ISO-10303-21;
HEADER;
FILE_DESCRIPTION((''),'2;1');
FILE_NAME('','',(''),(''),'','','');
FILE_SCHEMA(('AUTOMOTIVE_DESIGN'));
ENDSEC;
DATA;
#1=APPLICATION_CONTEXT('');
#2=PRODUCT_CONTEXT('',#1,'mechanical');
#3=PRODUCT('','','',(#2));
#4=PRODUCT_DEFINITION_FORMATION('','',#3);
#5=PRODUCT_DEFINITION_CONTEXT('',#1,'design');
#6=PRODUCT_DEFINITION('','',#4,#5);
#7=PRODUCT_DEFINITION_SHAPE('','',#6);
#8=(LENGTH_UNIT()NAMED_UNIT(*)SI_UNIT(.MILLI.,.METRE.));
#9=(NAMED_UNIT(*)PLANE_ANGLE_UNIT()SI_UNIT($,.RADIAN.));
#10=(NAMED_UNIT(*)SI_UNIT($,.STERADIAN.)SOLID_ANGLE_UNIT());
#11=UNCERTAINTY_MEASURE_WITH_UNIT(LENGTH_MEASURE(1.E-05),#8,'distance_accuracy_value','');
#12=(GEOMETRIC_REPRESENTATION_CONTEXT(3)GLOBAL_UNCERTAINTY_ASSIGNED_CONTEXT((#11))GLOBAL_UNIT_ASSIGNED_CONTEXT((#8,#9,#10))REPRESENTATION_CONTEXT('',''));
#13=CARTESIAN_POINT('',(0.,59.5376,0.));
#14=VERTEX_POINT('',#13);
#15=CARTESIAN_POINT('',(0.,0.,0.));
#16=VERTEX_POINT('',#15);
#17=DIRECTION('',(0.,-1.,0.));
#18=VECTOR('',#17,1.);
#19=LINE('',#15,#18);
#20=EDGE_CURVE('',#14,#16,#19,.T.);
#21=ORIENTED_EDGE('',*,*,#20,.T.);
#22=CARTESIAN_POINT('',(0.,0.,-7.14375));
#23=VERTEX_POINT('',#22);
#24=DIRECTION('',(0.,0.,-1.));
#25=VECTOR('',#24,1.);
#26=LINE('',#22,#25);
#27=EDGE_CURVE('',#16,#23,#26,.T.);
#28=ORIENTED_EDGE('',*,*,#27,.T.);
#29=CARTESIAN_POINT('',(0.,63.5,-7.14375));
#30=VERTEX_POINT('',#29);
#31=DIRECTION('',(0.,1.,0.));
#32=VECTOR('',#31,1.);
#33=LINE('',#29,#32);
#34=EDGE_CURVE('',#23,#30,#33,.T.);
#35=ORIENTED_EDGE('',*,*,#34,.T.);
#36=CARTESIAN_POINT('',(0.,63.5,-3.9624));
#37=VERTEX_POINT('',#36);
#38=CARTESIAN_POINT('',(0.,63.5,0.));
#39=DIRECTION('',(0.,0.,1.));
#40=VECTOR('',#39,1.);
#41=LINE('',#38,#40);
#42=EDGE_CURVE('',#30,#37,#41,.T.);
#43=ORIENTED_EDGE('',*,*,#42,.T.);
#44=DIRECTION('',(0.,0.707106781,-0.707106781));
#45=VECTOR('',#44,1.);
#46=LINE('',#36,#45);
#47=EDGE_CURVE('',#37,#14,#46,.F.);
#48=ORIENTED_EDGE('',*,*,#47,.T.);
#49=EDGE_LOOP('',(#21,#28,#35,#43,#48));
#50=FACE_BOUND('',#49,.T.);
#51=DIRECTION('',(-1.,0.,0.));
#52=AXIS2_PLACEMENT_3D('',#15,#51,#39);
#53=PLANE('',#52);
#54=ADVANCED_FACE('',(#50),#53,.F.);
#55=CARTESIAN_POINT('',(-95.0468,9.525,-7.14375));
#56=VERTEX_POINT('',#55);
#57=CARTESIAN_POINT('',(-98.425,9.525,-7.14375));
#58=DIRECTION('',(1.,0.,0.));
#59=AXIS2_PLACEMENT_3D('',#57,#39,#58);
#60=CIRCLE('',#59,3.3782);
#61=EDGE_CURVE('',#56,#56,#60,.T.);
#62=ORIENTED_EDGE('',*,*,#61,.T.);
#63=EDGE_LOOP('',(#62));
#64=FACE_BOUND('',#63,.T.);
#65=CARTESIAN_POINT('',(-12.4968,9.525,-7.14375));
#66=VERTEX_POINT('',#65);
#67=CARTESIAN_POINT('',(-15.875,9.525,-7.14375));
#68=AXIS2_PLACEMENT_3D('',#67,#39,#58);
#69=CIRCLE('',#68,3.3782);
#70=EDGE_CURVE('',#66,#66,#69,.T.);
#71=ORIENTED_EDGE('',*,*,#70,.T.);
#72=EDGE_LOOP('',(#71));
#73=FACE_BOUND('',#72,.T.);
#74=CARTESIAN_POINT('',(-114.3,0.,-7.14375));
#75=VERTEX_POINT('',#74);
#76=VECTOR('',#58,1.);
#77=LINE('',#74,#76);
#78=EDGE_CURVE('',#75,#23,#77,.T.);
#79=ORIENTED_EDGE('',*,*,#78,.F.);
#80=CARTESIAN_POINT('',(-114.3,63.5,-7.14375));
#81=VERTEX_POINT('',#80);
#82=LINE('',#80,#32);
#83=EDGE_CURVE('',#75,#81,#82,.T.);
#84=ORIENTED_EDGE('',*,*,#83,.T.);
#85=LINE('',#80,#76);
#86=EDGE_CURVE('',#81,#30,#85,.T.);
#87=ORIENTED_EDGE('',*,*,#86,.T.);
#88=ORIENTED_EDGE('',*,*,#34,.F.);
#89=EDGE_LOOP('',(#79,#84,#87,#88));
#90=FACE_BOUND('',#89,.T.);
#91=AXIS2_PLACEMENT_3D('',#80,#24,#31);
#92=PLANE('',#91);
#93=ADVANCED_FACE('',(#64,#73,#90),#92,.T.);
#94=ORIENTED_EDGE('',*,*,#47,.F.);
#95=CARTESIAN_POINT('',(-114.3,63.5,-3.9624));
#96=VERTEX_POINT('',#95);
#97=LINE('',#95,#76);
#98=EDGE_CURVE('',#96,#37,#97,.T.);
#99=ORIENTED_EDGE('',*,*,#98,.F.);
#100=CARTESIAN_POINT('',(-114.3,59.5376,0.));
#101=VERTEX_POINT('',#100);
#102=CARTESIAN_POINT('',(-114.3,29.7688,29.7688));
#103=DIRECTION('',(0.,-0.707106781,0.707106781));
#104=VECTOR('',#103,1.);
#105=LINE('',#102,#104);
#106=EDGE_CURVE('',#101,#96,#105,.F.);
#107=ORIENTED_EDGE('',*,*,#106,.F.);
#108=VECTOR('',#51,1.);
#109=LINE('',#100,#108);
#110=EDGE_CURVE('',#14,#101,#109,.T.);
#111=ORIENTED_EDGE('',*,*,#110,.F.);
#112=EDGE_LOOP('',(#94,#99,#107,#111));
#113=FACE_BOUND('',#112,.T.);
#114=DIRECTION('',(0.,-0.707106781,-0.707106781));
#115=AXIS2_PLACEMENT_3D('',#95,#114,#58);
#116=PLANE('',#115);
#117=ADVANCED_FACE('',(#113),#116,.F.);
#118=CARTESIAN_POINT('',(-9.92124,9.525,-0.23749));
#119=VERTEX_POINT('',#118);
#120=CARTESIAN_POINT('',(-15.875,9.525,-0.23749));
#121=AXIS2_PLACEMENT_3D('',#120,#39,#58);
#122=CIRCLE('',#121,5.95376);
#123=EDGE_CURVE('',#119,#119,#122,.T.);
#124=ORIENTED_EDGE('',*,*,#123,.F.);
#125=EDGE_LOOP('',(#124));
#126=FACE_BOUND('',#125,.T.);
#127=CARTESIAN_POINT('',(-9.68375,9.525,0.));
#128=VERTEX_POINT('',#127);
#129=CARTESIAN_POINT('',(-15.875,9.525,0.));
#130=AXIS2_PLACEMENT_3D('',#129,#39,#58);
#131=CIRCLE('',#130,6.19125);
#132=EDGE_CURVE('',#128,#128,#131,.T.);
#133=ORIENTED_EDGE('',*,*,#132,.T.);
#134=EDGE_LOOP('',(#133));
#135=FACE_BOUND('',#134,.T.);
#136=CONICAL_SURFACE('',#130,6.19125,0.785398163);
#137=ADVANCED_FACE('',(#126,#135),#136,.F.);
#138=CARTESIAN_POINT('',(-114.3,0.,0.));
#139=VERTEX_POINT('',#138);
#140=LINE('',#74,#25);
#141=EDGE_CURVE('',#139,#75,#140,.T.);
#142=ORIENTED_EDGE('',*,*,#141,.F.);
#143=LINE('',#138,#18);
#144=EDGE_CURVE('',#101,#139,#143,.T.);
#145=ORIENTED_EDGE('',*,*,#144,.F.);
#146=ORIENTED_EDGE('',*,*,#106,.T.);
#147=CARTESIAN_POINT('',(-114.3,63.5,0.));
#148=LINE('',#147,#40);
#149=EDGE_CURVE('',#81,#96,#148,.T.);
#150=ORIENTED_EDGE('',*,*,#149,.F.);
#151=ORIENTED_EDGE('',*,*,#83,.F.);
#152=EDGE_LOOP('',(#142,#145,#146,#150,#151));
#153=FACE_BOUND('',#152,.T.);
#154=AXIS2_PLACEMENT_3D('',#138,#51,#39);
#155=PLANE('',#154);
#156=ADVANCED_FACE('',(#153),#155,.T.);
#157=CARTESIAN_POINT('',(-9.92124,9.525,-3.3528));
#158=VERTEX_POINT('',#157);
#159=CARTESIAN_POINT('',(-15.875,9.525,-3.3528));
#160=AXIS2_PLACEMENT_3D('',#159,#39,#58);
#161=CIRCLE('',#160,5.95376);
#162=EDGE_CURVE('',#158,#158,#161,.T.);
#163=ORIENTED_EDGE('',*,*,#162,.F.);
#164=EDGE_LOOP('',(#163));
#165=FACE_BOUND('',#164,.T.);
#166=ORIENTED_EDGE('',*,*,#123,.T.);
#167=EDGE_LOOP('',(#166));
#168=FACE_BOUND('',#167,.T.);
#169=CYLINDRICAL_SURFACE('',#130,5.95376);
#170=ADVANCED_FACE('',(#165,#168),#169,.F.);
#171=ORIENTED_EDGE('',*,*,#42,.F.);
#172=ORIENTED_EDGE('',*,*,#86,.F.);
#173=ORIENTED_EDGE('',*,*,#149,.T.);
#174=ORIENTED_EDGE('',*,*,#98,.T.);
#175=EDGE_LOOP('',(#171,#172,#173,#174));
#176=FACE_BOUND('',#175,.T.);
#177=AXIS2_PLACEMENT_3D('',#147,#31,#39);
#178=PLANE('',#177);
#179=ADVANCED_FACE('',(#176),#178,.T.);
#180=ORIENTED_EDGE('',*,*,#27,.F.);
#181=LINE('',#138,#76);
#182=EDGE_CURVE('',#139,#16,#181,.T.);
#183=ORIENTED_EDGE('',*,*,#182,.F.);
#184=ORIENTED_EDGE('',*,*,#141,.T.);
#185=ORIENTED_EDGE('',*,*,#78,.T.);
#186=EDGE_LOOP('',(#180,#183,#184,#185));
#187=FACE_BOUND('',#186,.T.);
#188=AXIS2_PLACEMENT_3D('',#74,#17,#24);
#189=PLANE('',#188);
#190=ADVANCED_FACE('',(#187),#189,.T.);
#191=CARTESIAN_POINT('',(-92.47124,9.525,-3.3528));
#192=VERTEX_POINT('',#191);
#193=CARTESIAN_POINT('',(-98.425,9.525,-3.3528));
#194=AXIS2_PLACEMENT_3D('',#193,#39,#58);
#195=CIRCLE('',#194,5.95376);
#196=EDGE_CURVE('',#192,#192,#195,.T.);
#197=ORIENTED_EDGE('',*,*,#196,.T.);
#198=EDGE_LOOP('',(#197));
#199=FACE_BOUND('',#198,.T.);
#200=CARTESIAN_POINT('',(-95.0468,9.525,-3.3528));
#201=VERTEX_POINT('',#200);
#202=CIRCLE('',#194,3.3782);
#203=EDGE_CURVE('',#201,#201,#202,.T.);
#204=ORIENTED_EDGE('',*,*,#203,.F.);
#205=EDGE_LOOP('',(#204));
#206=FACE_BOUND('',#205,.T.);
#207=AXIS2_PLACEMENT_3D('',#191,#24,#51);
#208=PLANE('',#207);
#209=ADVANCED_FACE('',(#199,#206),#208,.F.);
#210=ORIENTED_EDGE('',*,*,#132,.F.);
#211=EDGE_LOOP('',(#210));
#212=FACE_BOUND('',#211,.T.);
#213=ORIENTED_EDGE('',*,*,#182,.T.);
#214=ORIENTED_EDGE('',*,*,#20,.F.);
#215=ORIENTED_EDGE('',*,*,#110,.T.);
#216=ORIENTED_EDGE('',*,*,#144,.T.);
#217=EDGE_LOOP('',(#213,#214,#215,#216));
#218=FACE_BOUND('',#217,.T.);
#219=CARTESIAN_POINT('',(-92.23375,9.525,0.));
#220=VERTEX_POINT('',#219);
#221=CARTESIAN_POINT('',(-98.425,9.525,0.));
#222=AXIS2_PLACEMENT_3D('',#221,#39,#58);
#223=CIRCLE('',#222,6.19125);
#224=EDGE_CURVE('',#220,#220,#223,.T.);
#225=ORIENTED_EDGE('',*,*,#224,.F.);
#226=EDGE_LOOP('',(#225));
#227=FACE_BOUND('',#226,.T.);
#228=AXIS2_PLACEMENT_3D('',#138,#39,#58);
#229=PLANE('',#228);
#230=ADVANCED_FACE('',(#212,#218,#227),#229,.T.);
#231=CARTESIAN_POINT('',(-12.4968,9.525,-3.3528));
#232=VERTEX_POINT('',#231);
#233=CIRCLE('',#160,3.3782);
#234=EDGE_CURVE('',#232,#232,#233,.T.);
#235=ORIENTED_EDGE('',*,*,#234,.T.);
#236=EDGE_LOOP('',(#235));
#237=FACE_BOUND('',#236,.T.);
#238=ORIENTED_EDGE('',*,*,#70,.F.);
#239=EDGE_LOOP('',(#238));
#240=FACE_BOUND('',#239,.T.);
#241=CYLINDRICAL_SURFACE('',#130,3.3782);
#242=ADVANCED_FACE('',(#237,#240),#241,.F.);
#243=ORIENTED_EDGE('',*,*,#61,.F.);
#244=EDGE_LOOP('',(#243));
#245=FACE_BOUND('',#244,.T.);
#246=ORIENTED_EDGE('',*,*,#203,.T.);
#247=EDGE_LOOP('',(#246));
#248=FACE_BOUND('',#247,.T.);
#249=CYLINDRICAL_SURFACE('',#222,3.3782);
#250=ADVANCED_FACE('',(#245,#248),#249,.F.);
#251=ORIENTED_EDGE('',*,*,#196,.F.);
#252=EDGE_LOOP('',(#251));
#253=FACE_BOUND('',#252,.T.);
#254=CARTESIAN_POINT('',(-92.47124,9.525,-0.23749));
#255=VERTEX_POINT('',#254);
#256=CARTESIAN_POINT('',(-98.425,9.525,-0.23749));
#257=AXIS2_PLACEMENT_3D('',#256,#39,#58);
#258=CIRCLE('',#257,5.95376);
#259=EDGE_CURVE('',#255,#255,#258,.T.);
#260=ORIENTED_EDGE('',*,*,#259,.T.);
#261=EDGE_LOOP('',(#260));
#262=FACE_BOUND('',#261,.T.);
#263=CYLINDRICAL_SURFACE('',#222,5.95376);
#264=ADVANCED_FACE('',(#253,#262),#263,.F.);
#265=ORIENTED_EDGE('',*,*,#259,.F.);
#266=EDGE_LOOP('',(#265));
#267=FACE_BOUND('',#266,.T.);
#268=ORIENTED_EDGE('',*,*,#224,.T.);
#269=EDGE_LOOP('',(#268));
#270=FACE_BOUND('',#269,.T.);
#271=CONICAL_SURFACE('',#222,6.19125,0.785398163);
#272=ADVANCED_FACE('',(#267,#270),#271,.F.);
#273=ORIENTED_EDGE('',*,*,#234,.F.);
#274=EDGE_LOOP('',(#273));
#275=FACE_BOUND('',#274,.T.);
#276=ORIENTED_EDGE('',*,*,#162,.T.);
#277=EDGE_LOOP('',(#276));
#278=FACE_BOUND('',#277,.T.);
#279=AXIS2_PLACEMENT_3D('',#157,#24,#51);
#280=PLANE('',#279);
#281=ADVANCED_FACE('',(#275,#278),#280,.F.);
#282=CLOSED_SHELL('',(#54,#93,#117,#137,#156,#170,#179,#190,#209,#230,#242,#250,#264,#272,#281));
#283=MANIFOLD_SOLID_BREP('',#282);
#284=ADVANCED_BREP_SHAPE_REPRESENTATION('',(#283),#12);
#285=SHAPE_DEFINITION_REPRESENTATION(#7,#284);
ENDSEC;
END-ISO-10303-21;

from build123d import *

# Parameters (mm, degrees)
SKETCH2_W                                     = 7.14375
SKETCH2_H                                     = 63.5
BOSS_EXTRUDE1_DEPTH                           = 114.3
CBORE_FOR_1_4_BUTTON_HEAD_CAP_SCREW1_AT_COUNT = 2
CBORE_FOR_1_4_BUTTON_HEAD_CAP_SCREW1_AT_PITCH = 82.55
CHAMFER1_SIZE                                 = 3.9624


with BuildPart() as part:
    # Sketch2 → Boss-Extrude1 (new body)
    with BuildSketch(Plane(origin=(0, 0, 0), x_dir=(0, 0, -1), z_dir=(1, 0, 0))):
        with Locations((3.571875, 31.75)):
            Rectangle(SKETCH2_W, SKETCH2_H)
    extrude(amount=-BOSS_EXTRUDE1_DEPTH)

    # Sketch3 → CBORE for 1/4 Button Head Cap Screw1 (revolve, cut)
    with BuildSketch(Plane(origin=(-98.425, 9.525, 0), x_dir=(0, -1, 0), z_dir=(1, 0, 0))):
        Polygon((0, 0), (0, 7.14375), (3.3782, 7.14375), (3.3782, 3.3528), (5.95376, 3.3528), (5.95376, 0.23749), (6.19125, 0), align=None)
    cbore_for_1_4_button_head_cap_screw1 = revolve(axis=Axis((-98.425, 9.525, 6.35), (0, 0, -1)), mode=Mode.SUBTRACT)

    # CBORE for 1/4 Button Head Cap Screw1 at: CBORE for 1/4 Button Head Cap Screw1 ×2
    with Locations(*[(i * CBORE_FOR_1_4_BUTTON_HEAD_CAP_SCREW1_AT_PITCH, 0, 0) for i in range(1, CBORE_FOR_1_4_BUTTON_HEAD_CAP_SCREW1_AT_COUNT)]):
        add(cbore_for_1_4_button_head_cap_screw1, mode=Mode.SUBTRACT)

    # Chamfer1
    chamfer1_edges = [part.edges().sort_by_distance(p)[0] for p in [
        (-57.15, 63.5, 0),
    ]]
    chamfer(chamfer1_edges, length=CHAMFER1_SIZE)


solid = part.part
